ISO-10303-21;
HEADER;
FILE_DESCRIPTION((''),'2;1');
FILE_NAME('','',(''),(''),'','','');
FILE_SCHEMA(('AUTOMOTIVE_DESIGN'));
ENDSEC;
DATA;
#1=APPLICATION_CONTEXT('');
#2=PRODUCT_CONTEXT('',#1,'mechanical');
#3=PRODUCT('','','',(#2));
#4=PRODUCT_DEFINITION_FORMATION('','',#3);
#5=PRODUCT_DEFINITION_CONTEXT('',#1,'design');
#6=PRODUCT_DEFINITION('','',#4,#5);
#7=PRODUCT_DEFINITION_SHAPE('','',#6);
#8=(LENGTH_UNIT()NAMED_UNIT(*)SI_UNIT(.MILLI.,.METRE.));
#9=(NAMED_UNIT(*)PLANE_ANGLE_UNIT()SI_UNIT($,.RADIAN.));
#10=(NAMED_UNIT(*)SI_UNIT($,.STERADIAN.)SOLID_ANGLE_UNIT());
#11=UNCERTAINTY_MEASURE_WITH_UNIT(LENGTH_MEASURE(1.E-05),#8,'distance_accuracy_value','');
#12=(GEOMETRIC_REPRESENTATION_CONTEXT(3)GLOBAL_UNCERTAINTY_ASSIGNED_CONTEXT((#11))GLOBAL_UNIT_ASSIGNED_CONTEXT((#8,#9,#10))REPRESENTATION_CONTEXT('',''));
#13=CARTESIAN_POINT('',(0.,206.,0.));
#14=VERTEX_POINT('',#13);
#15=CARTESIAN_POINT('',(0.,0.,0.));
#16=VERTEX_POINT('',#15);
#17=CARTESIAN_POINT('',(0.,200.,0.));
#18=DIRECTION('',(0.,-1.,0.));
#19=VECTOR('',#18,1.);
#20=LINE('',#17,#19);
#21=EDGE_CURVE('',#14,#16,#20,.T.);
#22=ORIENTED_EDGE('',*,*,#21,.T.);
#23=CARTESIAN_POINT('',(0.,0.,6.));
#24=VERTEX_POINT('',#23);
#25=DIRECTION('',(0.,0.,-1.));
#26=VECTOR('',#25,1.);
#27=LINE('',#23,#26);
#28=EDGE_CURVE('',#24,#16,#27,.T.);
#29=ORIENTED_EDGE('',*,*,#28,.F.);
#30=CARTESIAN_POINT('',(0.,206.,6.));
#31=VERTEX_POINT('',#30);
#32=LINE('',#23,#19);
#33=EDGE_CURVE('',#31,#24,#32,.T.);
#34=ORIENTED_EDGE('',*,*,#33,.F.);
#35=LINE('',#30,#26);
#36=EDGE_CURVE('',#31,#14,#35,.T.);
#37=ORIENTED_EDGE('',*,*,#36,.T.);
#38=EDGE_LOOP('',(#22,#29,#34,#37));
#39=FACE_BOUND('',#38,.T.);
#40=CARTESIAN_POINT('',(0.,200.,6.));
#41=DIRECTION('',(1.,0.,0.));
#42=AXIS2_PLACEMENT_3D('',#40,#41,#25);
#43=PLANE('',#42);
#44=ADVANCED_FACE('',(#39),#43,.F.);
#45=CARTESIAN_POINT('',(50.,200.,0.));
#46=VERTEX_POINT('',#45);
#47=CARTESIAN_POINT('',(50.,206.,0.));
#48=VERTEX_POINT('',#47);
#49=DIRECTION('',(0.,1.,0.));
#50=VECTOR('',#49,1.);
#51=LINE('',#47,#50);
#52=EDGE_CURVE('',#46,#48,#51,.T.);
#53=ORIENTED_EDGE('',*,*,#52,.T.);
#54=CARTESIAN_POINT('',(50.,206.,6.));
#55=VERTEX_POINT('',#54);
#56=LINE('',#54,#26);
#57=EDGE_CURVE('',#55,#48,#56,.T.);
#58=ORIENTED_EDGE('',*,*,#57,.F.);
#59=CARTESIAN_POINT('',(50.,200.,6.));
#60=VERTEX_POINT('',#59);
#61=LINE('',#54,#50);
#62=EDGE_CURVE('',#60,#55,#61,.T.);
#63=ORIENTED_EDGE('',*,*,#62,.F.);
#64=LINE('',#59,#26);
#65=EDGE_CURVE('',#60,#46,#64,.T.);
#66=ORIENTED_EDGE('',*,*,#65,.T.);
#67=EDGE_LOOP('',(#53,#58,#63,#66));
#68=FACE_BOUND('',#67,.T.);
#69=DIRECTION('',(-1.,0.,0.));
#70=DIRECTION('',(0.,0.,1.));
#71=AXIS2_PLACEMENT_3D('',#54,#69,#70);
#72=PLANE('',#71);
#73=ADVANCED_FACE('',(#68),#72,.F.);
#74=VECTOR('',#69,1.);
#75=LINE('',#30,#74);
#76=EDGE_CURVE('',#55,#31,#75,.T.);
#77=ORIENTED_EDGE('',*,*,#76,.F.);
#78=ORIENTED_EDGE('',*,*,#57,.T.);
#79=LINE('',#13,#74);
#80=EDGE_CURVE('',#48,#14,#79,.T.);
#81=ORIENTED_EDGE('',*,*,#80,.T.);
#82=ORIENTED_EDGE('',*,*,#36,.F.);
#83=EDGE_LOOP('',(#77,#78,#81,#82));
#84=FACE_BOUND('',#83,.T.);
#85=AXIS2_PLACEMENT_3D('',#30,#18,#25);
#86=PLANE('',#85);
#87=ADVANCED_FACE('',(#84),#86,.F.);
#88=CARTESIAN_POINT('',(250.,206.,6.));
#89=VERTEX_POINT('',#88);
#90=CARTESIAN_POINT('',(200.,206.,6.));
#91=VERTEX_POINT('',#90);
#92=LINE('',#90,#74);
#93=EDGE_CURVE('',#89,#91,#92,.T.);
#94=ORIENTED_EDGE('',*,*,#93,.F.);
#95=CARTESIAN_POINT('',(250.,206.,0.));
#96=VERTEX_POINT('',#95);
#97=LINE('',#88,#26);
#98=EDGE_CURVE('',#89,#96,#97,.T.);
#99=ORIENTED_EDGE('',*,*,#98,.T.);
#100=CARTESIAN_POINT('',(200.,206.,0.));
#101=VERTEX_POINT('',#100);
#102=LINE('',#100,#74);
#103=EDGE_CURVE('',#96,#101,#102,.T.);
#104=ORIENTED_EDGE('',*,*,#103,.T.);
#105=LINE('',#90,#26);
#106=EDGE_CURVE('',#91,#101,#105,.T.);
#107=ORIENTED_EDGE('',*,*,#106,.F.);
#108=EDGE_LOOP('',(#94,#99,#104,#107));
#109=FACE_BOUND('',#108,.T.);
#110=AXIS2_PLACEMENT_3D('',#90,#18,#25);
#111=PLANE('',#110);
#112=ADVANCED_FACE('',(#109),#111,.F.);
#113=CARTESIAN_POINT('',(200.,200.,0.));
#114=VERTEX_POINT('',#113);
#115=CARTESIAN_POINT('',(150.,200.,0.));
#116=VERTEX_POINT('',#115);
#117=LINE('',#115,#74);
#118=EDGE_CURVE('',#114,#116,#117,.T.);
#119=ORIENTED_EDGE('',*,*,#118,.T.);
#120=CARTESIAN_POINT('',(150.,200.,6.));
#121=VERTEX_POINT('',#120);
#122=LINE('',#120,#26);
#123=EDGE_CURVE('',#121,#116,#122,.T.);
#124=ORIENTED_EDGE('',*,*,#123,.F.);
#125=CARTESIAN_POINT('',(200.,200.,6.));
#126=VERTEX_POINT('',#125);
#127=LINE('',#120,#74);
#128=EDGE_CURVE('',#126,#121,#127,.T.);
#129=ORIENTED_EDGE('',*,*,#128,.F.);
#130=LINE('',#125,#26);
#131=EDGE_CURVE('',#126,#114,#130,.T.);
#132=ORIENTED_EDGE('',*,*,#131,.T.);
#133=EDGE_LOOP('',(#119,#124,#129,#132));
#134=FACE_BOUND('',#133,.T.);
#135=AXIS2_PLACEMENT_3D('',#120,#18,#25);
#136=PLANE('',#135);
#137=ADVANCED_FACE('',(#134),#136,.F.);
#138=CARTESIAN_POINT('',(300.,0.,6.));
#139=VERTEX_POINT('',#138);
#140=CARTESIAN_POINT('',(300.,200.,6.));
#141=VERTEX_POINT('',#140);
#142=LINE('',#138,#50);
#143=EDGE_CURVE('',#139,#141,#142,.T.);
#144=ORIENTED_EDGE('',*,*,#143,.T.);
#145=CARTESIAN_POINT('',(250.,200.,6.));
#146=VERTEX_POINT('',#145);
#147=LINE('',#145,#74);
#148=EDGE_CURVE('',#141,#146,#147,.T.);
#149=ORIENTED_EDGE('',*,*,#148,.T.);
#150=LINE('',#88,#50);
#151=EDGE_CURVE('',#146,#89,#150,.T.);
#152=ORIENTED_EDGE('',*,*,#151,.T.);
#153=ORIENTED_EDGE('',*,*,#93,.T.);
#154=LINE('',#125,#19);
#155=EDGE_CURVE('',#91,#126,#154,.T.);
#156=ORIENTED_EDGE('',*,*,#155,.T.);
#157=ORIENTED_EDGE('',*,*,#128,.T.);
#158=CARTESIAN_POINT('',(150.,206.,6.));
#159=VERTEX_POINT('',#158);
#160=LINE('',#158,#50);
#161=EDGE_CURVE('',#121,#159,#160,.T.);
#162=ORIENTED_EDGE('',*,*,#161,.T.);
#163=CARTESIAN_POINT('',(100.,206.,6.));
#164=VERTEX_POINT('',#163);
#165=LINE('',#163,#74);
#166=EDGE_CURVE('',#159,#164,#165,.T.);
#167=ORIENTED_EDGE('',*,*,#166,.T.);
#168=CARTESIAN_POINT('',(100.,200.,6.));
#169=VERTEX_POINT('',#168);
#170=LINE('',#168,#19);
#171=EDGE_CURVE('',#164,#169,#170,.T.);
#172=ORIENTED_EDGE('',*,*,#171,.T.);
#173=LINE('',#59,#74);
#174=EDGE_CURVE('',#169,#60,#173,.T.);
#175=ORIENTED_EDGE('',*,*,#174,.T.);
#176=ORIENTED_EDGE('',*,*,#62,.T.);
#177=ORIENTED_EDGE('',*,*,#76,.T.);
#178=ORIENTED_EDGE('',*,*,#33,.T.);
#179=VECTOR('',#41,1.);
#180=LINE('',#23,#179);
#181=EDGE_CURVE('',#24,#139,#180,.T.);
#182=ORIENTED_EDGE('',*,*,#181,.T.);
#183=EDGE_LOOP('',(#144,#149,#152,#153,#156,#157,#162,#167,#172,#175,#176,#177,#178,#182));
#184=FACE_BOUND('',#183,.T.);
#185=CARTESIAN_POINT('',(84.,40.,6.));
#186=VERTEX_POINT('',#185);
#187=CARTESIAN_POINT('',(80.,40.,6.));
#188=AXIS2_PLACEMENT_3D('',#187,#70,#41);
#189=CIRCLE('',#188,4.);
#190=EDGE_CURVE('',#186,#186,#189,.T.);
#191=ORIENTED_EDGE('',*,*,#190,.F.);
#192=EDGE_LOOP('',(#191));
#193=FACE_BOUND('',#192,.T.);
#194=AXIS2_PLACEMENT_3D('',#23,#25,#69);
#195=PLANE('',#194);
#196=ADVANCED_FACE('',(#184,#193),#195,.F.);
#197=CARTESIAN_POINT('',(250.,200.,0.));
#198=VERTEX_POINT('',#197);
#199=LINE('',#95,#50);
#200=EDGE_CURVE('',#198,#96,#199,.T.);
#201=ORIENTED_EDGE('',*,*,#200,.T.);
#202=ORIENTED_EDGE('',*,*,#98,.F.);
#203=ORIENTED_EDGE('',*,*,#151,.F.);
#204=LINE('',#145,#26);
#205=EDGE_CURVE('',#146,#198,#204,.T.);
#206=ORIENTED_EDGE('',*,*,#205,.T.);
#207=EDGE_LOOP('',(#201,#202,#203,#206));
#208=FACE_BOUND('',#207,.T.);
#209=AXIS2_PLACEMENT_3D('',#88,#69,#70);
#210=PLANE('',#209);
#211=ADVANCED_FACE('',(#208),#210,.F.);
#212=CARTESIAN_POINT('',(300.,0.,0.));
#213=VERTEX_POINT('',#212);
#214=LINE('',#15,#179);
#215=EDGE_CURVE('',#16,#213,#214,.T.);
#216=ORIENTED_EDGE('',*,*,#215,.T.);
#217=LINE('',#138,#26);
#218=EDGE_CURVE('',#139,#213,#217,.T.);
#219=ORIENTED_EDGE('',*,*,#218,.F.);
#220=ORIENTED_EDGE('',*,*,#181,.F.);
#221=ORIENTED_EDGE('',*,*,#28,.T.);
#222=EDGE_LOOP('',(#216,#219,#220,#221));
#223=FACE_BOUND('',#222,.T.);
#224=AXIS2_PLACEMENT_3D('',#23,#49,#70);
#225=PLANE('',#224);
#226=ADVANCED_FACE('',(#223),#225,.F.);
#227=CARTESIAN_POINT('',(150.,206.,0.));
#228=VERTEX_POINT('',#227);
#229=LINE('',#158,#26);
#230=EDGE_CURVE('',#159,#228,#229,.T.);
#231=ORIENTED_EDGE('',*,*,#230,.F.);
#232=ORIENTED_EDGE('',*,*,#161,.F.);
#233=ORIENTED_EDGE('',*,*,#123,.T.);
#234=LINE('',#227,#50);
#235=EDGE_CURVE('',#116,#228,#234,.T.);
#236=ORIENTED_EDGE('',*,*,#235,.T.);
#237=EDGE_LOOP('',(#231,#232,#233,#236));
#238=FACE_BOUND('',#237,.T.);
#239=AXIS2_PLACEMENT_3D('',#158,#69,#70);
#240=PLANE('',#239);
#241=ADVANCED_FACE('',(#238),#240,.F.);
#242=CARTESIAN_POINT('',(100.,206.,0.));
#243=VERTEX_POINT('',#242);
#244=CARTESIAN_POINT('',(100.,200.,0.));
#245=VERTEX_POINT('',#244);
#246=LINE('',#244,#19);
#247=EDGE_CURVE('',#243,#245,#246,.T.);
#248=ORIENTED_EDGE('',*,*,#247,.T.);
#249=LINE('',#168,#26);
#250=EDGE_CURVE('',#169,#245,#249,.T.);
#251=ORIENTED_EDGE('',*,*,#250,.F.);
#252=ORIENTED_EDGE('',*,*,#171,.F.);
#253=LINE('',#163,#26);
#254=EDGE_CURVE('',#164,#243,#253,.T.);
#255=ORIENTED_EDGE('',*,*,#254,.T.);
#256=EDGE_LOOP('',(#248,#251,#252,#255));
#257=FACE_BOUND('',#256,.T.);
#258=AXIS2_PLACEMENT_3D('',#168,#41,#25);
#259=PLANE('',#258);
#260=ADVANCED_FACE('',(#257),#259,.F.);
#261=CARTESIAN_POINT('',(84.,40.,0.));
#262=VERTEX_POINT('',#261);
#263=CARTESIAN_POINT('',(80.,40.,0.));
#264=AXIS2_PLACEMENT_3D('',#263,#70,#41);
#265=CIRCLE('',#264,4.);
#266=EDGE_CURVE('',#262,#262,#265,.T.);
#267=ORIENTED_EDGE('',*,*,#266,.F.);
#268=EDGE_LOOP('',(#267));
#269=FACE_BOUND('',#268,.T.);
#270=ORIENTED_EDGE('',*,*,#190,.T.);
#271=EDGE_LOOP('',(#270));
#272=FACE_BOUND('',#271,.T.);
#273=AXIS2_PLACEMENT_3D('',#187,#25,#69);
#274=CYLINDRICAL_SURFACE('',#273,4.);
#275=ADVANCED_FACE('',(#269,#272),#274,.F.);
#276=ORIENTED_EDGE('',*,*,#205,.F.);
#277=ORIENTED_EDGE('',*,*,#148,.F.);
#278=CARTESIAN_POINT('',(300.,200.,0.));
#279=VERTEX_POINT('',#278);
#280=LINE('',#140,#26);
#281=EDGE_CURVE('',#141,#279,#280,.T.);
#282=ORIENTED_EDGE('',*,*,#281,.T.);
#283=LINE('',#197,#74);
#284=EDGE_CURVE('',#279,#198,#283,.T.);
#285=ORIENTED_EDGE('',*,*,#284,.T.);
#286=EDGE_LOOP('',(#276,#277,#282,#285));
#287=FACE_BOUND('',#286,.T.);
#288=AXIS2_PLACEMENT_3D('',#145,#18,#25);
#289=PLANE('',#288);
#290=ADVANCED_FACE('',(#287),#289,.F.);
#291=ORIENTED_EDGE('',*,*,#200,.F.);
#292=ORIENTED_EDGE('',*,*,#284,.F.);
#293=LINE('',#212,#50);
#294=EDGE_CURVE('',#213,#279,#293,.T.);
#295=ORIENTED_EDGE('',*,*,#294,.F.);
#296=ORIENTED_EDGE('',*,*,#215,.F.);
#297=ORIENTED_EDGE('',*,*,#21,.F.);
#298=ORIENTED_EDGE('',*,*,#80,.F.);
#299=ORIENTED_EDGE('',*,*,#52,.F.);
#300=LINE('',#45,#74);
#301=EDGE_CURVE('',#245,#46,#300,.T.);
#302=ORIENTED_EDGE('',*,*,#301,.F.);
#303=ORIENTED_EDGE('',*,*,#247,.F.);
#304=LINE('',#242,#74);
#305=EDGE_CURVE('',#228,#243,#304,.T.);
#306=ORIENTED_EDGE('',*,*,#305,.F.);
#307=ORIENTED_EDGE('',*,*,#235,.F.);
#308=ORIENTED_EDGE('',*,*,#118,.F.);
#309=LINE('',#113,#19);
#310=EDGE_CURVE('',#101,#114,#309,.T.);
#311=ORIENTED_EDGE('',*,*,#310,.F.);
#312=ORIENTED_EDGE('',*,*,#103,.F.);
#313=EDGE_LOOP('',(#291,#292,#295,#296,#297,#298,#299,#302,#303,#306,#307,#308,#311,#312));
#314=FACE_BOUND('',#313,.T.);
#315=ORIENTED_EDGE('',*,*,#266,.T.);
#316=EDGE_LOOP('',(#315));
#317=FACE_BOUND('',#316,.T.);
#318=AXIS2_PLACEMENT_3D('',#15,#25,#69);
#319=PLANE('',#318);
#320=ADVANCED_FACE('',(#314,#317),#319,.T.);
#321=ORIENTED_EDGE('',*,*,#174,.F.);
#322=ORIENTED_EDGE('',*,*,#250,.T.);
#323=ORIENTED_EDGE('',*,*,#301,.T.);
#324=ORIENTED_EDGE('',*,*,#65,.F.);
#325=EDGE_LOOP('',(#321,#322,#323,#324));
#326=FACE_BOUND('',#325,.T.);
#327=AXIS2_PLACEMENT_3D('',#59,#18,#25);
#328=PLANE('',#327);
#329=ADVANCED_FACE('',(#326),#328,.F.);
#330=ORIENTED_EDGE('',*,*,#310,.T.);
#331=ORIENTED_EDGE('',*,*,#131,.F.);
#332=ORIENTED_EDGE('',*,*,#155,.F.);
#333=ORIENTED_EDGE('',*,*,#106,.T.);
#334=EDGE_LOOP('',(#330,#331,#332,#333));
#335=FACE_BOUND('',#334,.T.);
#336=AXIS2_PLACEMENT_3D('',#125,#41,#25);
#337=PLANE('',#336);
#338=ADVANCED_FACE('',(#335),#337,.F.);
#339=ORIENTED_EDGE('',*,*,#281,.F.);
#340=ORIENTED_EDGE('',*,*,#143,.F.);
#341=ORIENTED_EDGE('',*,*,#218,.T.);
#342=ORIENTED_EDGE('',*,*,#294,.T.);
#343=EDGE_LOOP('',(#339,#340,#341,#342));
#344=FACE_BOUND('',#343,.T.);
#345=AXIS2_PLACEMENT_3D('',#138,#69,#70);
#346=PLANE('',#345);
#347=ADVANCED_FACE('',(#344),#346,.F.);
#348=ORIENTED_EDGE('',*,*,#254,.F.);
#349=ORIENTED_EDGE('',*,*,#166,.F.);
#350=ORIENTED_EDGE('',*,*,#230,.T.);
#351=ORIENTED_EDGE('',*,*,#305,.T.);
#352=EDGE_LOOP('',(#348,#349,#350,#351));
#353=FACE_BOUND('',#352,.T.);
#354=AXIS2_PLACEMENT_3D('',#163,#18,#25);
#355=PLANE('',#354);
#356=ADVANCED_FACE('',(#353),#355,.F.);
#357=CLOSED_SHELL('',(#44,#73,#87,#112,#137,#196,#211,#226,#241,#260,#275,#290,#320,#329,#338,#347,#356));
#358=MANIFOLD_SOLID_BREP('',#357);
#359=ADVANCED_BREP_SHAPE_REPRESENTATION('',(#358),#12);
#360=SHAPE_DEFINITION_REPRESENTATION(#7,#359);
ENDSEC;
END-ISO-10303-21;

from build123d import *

# Parameters (mm, degrees)
ESQUISSE1_R        = 4
BOSS_EXTRU_1_DEPTH = 6


with BuildPart() as part:
    # Esquisse1 → Boss.-Extru.1 (new body)
    with BuildSketch(Plane.XY):
        Polygon((0, 200), (0, 206), (50, 206), (50, 200), (100, 200), (100, 206), (150, 206), (150, 200), (200, 200), (200, 206), (250, 206), (250, 200), (300, 200), (300, 0), (0, 0), align=None)
        with Locations((80, 40)):
            Circle(ESQUISSE1_R, mode=Mode.SUBTRACT)
    extrude(amount=BOSS_EXTRU_1_DEPTH)


solid = part.part
